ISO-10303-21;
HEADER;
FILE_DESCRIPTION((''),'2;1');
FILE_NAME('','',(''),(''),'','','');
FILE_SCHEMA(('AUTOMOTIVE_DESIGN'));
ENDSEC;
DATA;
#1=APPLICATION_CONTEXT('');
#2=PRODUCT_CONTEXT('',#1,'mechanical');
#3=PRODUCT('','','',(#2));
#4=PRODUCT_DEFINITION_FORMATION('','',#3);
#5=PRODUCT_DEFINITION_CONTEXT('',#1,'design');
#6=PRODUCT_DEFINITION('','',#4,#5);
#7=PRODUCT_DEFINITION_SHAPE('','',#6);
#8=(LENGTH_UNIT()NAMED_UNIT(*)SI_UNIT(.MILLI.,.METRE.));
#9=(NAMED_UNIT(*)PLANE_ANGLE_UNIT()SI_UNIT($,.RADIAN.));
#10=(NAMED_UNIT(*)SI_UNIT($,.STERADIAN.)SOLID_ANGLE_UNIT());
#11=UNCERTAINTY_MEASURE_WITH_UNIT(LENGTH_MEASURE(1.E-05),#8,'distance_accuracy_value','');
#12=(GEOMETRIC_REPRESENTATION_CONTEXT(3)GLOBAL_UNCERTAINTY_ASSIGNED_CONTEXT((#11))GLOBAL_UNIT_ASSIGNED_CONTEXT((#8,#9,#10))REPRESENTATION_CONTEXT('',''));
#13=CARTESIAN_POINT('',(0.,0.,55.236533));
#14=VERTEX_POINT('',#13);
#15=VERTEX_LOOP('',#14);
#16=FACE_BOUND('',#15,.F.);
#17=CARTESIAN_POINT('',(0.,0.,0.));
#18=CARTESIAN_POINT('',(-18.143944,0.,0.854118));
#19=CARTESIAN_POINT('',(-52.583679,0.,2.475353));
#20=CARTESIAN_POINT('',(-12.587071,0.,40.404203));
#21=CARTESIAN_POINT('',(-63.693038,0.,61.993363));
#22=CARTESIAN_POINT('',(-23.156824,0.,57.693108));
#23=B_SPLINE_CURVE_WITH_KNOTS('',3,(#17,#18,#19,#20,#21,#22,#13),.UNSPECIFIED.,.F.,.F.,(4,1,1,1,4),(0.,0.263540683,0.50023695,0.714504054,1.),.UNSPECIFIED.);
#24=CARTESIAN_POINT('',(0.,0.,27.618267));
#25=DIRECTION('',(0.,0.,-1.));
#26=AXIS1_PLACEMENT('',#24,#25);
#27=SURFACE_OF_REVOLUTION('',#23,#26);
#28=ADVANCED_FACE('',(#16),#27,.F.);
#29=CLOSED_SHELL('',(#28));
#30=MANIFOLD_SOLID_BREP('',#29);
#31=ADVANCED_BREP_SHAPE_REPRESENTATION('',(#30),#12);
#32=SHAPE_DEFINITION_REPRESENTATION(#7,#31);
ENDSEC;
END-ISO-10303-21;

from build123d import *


with BuildPart() as f1:
    # F0 (on Front) → F1 (revolve)
    with BuildSketch(Plane.XZ):
        with BuildLine():
            add(Edge.make_bspline(
                [(0, 0), (-18.143944024, 0.8541179354), (-52.5836788215, 2.4753528303), (-12.5870709967, 40.4042028467), (-63.6930379257, 61.9933634392), (-23.1568237103, 57.6931082857), (0, 55.2365332842)],
                knots=[0, 0, 0, 0, 0.2635406828, 0.5002369502, 0.7145040536, 1, 1, 1, 1], degree=3))
            Line((0, 0), (0, 55.2365332842))
        make_face()
    revolve(axis=Axis((0, 0, 27.6182666421), (0, 0, -1)))


solid = f1.part
